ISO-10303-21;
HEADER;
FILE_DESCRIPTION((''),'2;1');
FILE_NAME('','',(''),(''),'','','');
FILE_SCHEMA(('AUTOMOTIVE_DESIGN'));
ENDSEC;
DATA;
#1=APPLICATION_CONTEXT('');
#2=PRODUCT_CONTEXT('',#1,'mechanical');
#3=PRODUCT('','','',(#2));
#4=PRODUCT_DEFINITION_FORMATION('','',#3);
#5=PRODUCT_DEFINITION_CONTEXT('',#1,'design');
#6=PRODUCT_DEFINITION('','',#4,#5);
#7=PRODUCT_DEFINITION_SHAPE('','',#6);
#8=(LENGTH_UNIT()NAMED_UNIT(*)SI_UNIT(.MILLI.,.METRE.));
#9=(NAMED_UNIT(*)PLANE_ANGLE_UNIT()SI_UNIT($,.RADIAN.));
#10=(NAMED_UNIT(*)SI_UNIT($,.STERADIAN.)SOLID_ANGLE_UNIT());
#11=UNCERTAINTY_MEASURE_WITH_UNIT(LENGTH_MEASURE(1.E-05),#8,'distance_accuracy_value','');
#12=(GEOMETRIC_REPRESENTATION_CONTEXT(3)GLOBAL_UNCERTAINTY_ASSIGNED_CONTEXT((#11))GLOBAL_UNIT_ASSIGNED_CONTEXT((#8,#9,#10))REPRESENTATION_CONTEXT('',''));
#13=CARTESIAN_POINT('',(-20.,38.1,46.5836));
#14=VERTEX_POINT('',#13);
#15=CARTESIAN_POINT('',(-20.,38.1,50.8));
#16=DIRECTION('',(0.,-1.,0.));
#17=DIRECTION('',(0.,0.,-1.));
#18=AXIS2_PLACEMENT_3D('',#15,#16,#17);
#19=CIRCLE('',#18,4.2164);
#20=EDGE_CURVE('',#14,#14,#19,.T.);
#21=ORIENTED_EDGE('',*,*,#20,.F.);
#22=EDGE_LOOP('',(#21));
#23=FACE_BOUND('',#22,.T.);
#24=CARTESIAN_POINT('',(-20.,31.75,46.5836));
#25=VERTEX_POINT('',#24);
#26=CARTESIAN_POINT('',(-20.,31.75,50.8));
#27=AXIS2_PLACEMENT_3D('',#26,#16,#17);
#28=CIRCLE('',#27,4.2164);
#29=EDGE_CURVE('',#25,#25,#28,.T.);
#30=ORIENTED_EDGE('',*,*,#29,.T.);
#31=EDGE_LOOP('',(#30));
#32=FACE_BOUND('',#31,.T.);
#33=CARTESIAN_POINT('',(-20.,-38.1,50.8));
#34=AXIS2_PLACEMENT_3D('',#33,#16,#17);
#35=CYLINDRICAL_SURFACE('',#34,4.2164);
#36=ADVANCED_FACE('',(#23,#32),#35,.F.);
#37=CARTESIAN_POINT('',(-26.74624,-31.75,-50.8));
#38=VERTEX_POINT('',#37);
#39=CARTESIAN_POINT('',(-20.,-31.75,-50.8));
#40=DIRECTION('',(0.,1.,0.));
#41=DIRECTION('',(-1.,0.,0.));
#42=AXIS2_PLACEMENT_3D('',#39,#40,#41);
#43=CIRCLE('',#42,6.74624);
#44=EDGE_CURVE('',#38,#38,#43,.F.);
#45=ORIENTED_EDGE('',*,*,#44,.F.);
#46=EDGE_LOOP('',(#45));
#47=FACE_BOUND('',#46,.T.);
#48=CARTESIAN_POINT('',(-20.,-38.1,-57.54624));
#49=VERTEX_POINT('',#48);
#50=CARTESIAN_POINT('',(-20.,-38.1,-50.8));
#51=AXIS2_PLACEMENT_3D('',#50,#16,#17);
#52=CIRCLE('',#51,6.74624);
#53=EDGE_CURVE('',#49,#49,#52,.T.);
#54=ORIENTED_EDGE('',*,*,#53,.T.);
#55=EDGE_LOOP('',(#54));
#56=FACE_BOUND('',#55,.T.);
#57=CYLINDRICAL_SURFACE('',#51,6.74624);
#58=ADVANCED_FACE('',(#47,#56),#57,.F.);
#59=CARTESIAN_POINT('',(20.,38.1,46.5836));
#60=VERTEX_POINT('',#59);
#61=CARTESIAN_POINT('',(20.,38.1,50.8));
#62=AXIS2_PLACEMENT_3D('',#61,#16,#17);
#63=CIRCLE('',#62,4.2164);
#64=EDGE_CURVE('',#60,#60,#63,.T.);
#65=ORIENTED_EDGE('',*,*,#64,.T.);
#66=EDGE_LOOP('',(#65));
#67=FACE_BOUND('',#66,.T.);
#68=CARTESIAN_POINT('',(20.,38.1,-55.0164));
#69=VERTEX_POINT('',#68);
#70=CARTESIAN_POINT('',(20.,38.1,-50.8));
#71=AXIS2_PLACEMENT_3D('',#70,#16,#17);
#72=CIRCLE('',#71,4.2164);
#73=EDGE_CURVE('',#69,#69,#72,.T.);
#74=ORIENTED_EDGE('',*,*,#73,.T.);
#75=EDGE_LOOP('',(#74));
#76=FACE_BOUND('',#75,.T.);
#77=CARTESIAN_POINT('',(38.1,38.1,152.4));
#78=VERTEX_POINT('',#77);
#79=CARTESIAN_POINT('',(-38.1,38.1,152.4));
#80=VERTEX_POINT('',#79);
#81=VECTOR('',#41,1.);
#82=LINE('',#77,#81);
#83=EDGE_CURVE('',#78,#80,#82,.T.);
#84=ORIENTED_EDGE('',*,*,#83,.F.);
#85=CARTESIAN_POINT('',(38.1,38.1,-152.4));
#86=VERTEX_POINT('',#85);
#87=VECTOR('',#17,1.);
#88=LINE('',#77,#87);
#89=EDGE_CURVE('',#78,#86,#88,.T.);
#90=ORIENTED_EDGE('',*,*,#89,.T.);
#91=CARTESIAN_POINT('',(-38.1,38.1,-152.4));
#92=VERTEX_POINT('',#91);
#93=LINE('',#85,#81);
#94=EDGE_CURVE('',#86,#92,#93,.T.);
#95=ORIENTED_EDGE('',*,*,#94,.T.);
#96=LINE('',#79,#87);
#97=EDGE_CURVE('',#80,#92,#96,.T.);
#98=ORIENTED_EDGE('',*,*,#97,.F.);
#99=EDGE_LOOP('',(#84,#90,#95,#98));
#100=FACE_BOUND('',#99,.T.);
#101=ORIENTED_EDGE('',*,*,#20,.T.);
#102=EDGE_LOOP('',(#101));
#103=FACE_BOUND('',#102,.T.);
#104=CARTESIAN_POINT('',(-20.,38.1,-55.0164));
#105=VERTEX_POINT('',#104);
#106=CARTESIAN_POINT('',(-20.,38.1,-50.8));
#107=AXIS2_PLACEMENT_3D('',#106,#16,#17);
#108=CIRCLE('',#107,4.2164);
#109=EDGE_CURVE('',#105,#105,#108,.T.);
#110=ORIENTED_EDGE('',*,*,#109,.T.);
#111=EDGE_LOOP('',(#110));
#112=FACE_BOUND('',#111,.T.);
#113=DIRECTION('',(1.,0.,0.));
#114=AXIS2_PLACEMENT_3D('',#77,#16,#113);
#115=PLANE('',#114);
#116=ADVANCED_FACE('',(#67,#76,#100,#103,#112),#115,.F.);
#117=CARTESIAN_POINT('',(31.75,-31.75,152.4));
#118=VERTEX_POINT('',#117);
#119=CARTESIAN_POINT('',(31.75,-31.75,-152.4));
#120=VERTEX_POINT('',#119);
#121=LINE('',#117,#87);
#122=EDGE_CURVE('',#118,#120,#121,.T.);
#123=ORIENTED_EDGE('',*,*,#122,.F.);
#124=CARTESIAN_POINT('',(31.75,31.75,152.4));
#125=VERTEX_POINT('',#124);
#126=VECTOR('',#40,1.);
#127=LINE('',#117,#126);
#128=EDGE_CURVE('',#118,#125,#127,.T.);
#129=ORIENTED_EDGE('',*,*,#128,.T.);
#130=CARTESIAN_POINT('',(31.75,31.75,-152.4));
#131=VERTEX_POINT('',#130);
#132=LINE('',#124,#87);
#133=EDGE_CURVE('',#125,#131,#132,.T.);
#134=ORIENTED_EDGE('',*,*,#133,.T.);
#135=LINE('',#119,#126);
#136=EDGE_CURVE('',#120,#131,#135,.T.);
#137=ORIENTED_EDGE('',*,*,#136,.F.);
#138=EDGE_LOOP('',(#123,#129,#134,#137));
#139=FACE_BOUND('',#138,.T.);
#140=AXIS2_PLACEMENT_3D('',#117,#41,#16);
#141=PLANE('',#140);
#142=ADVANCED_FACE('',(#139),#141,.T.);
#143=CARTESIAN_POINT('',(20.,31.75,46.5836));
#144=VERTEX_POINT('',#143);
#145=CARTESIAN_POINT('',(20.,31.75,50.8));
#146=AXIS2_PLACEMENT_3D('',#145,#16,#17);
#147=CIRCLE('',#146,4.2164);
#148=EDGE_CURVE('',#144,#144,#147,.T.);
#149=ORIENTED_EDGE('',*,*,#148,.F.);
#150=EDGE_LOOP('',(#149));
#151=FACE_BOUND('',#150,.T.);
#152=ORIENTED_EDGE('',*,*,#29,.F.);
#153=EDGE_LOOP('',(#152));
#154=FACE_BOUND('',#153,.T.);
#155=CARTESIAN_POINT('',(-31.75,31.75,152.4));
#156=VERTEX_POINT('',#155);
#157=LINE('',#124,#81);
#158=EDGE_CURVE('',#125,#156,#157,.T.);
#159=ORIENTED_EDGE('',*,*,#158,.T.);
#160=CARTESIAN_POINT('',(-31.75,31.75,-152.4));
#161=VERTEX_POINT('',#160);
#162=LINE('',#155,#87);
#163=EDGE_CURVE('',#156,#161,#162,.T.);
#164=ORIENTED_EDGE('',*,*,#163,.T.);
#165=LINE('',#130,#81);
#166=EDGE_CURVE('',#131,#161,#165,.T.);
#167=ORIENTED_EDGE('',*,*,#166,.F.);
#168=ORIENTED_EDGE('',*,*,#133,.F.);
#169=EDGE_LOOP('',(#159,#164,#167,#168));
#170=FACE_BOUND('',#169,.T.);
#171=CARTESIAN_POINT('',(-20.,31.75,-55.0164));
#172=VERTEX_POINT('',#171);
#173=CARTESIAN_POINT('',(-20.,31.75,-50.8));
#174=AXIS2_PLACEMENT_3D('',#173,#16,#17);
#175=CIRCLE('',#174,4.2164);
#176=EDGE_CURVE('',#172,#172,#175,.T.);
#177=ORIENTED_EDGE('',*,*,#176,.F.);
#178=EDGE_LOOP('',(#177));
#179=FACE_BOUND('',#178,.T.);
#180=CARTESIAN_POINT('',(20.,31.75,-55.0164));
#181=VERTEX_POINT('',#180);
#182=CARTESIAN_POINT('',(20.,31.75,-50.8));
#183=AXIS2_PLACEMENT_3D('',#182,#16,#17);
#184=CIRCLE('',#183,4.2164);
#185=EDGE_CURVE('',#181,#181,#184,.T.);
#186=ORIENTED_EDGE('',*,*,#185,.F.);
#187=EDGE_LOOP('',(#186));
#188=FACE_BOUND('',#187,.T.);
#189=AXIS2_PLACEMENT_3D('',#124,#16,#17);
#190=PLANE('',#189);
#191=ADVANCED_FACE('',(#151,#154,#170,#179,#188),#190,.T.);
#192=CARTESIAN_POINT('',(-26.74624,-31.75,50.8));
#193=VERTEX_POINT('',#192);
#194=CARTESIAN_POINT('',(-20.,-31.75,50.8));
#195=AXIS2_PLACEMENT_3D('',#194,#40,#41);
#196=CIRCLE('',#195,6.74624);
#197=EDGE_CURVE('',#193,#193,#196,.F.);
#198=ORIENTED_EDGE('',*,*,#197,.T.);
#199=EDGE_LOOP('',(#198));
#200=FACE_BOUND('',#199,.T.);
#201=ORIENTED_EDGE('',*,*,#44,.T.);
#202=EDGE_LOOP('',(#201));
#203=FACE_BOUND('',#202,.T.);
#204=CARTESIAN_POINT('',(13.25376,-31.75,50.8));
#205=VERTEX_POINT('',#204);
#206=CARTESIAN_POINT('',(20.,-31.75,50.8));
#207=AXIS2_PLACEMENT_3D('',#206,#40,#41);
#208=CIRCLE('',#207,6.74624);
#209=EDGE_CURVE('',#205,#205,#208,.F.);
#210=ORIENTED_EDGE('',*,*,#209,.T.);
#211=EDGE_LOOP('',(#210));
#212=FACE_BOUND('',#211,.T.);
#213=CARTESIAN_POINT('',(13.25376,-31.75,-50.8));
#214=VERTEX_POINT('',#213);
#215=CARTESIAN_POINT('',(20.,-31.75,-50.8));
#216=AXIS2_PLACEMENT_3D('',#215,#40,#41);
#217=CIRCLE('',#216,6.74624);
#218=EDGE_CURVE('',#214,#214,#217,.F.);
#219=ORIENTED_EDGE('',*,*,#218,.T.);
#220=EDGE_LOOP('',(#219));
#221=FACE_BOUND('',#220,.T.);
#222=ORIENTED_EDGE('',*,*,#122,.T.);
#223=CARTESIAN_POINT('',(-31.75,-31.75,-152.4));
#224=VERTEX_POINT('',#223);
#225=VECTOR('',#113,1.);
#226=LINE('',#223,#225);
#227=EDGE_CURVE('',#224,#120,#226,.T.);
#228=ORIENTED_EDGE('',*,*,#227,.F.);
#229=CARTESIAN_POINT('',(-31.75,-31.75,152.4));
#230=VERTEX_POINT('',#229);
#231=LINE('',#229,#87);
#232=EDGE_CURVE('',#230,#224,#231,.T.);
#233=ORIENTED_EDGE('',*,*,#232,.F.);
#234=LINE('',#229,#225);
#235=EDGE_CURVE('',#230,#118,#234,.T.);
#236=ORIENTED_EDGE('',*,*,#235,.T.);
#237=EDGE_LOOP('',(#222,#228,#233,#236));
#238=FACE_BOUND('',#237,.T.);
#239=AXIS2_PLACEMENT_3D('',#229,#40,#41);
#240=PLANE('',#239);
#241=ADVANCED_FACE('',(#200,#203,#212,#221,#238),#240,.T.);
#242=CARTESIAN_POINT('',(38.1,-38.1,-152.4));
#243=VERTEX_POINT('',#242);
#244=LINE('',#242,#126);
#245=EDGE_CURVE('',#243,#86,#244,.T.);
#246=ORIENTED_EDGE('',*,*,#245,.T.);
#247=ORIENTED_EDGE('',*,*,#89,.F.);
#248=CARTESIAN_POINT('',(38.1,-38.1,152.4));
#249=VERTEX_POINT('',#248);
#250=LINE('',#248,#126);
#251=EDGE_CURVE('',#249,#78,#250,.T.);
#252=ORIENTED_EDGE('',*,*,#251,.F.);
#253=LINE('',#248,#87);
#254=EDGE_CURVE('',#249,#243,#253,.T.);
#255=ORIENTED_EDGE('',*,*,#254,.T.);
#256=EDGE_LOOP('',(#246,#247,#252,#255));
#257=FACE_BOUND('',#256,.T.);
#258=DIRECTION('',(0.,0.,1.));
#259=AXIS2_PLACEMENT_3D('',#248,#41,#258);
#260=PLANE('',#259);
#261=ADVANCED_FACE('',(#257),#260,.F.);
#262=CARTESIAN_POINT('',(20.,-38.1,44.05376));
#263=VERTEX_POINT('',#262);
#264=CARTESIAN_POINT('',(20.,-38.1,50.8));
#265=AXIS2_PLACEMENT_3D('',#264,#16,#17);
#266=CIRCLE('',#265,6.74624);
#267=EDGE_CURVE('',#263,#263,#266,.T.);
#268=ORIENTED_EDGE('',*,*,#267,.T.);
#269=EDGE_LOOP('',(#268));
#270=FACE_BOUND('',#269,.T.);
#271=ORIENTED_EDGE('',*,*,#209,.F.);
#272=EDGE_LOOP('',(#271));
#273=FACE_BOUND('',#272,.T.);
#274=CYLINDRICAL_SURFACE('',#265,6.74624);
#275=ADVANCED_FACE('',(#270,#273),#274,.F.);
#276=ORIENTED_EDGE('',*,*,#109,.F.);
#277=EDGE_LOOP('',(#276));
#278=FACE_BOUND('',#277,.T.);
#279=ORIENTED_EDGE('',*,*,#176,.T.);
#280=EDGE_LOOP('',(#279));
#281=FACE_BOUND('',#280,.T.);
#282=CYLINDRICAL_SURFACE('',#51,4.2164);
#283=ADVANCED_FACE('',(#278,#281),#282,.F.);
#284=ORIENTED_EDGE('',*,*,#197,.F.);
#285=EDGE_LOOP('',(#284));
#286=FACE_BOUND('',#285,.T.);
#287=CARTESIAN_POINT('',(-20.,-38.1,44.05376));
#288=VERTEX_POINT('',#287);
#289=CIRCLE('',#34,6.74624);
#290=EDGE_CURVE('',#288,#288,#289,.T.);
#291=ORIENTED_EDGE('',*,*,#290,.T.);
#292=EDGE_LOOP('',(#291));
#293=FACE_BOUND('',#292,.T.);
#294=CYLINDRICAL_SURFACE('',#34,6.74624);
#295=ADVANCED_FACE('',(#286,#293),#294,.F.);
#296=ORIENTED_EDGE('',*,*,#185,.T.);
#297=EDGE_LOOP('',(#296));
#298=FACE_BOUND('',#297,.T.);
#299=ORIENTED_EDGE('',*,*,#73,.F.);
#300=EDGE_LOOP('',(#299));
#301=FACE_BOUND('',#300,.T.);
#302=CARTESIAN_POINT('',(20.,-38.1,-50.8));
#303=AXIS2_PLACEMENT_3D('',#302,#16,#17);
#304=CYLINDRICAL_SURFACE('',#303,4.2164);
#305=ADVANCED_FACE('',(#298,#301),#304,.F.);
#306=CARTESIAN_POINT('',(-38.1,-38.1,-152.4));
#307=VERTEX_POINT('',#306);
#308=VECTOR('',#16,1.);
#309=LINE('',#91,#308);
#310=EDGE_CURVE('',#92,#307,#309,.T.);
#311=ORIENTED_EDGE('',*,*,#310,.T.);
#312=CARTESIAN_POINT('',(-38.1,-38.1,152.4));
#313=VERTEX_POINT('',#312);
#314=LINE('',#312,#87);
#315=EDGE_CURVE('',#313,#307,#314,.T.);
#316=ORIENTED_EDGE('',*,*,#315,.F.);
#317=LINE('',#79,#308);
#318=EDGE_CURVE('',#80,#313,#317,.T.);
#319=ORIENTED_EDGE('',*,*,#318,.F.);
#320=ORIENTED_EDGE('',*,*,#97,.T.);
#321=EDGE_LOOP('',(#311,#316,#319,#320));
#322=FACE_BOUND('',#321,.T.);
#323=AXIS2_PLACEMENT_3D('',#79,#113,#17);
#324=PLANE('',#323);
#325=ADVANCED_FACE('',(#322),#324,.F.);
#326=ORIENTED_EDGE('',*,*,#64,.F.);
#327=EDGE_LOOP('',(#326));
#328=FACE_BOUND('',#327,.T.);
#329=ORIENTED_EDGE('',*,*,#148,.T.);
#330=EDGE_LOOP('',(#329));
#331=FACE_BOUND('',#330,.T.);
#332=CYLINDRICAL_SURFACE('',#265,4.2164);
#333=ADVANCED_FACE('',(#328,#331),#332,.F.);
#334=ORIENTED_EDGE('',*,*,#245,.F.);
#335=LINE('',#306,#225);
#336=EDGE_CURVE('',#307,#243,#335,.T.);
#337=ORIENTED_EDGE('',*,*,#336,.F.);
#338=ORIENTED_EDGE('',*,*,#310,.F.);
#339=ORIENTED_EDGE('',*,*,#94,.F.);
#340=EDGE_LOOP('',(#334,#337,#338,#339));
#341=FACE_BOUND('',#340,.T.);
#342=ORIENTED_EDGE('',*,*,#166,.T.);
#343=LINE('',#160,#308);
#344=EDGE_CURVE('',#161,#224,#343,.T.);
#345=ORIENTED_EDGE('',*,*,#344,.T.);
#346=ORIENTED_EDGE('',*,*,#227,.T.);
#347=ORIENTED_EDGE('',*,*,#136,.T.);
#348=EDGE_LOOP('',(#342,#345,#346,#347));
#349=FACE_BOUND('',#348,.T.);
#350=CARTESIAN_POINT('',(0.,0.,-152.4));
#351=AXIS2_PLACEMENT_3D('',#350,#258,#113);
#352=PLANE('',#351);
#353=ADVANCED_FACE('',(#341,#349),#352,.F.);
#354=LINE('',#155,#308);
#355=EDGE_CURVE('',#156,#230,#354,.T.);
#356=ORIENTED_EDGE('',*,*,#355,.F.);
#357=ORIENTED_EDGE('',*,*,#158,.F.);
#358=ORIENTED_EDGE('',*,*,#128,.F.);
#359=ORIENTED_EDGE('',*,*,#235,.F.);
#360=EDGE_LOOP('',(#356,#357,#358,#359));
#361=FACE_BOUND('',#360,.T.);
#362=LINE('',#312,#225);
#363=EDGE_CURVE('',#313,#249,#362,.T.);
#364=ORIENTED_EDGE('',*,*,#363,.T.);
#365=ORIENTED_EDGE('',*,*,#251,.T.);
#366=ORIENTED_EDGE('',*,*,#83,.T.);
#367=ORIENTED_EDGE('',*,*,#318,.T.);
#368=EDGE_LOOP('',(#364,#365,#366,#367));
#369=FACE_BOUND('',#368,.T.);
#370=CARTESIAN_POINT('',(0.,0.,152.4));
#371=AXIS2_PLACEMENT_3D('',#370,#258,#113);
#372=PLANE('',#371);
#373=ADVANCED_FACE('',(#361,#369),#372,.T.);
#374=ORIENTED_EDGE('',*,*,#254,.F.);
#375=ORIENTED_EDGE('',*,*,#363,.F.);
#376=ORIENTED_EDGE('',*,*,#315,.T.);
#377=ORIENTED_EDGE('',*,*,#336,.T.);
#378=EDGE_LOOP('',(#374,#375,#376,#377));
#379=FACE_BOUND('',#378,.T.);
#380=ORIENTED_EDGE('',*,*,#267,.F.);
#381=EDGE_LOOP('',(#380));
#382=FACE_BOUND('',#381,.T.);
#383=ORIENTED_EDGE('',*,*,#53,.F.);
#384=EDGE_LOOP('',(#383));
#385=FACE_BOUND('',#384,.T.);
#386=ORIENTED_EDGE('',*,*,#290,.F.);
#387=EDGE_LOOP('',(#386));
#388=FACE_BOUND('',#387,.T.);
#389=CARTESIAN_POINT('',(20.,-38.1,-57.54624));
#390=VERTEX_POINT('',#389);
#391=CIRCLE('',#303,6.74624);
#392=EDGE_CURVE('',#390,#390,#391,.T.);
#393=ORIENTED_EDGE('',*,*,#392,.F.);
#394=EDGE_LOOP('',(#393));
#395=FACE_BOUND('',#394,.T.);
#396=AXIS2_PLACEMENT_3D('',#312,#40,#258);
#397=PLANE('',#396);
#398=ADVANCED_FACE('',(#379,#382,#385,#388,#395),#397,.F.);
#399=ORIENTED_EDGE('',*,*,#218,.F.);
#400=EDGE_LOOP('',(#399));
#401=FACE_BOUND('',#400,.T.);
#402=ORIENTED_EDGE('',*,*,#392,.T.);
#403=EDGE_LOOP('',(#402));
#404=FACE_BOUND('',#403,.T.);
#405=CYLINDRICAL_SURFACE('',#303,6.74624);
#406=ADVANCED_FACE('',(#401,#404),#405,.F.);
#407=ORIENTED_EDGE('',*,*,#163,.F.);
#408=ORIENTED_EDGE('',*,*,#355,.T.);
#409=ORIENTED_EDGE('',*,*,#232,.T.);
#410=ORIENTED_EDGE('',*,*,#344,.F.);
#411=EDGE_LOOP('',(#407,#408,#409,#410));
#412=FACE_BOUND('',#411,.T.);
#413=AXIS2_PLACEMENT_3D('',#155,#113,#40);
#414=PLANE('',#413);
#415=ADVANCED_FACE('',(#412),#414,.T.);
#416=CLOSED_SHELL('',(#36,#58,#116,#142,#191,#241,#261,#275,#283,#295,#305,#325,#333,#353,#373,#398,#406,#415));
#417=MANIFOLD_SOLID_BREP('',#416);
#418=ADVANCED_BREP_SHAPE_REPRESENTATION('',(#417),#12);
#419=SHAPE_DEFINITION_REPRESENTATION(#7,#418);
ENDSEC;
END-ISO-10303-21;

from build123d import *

# Parameters (mm, degrees)
BOSS_EXTRUDE1_DEPTH         = 152.4
BOSS_EXTRUDE1_DEPTH_BACK    = 152.4
SKETCH3_W                   = 76.2
SKETCH3_H                   = 76.2
SKETCH3_W_2                 = 63.5
SKETCH3_H_2                 = 63.5
F_5_16_CLEARANCE_HOLE3_D    = 8.4328
F_1_2_CLEARANCE_HOLE1_D     = 13.49248
F_1_2_CLEARANCE_HOLE1_DEPTH = 6.35
F_1_2_CLEARANCE_HOLE1_TIP   = 4.053549943


with BuildPart() as part:
    # Sketch3 → Boss-Extrude1 (new, two sides: drawn at the far end of the back side and taken through both)
    with BuildSketch(Plane.XY.offset(-BOSS_EXTRUDE1_DEPTH_BACK)):
        Rectangle(SKETCH3_W, SKETCH3_H)
        Rectangle(SKETCH3_W_2, SKETCH3_H_2, mode=Mode.SUBTRACT)
    extrude(amount=BOSS_EXTRUDE1_DEPTH + BOSS_EXTRUDE1_DEPTH_BACK)

    # 5/16 Clearance Hole3 (through all)
    with Locations(Plane(origin=(0, -38.1, 0), x_dir=(-1, 0, 0), z_dir=(0, -1, 0))):
        with Locations((20, 50.8), (-20, -50.8), (-20, 50.8), (20, -50.8)):
            Hole(F_5_16_CLEARANCE_HOLE3_D / 2)

    # 1/2 Clearance Hole1
    with Locations(Plane(origin=(0, -38.1, 0), x_dir=(-1, 0, 0), z_dir=(0, -1, 0))):
        with Locations((-20, 50.8), (20, 50.8), (-20, -50.8), (20, -50.8)):
            Hole(F_1_2_CLEARANCE_HOLE1_D / 2, depth=F_1_2_CLEARANCE_HOLE1_DEPTH)
            with Locations((0, 0, -(F_1_2_CLEARANCE_HOLE1_DEPTH + F_1_2_CLEARANCE_HOLE1_TIP / 2))):  # 118° drill point
                Cone(0, F_1_2_CLEARANCE_HOLE1_D / 2, F_1_2_CLEARANCE_HOLE1_TIP, mode=Mode.SUBTRACT)


solid = part.part
